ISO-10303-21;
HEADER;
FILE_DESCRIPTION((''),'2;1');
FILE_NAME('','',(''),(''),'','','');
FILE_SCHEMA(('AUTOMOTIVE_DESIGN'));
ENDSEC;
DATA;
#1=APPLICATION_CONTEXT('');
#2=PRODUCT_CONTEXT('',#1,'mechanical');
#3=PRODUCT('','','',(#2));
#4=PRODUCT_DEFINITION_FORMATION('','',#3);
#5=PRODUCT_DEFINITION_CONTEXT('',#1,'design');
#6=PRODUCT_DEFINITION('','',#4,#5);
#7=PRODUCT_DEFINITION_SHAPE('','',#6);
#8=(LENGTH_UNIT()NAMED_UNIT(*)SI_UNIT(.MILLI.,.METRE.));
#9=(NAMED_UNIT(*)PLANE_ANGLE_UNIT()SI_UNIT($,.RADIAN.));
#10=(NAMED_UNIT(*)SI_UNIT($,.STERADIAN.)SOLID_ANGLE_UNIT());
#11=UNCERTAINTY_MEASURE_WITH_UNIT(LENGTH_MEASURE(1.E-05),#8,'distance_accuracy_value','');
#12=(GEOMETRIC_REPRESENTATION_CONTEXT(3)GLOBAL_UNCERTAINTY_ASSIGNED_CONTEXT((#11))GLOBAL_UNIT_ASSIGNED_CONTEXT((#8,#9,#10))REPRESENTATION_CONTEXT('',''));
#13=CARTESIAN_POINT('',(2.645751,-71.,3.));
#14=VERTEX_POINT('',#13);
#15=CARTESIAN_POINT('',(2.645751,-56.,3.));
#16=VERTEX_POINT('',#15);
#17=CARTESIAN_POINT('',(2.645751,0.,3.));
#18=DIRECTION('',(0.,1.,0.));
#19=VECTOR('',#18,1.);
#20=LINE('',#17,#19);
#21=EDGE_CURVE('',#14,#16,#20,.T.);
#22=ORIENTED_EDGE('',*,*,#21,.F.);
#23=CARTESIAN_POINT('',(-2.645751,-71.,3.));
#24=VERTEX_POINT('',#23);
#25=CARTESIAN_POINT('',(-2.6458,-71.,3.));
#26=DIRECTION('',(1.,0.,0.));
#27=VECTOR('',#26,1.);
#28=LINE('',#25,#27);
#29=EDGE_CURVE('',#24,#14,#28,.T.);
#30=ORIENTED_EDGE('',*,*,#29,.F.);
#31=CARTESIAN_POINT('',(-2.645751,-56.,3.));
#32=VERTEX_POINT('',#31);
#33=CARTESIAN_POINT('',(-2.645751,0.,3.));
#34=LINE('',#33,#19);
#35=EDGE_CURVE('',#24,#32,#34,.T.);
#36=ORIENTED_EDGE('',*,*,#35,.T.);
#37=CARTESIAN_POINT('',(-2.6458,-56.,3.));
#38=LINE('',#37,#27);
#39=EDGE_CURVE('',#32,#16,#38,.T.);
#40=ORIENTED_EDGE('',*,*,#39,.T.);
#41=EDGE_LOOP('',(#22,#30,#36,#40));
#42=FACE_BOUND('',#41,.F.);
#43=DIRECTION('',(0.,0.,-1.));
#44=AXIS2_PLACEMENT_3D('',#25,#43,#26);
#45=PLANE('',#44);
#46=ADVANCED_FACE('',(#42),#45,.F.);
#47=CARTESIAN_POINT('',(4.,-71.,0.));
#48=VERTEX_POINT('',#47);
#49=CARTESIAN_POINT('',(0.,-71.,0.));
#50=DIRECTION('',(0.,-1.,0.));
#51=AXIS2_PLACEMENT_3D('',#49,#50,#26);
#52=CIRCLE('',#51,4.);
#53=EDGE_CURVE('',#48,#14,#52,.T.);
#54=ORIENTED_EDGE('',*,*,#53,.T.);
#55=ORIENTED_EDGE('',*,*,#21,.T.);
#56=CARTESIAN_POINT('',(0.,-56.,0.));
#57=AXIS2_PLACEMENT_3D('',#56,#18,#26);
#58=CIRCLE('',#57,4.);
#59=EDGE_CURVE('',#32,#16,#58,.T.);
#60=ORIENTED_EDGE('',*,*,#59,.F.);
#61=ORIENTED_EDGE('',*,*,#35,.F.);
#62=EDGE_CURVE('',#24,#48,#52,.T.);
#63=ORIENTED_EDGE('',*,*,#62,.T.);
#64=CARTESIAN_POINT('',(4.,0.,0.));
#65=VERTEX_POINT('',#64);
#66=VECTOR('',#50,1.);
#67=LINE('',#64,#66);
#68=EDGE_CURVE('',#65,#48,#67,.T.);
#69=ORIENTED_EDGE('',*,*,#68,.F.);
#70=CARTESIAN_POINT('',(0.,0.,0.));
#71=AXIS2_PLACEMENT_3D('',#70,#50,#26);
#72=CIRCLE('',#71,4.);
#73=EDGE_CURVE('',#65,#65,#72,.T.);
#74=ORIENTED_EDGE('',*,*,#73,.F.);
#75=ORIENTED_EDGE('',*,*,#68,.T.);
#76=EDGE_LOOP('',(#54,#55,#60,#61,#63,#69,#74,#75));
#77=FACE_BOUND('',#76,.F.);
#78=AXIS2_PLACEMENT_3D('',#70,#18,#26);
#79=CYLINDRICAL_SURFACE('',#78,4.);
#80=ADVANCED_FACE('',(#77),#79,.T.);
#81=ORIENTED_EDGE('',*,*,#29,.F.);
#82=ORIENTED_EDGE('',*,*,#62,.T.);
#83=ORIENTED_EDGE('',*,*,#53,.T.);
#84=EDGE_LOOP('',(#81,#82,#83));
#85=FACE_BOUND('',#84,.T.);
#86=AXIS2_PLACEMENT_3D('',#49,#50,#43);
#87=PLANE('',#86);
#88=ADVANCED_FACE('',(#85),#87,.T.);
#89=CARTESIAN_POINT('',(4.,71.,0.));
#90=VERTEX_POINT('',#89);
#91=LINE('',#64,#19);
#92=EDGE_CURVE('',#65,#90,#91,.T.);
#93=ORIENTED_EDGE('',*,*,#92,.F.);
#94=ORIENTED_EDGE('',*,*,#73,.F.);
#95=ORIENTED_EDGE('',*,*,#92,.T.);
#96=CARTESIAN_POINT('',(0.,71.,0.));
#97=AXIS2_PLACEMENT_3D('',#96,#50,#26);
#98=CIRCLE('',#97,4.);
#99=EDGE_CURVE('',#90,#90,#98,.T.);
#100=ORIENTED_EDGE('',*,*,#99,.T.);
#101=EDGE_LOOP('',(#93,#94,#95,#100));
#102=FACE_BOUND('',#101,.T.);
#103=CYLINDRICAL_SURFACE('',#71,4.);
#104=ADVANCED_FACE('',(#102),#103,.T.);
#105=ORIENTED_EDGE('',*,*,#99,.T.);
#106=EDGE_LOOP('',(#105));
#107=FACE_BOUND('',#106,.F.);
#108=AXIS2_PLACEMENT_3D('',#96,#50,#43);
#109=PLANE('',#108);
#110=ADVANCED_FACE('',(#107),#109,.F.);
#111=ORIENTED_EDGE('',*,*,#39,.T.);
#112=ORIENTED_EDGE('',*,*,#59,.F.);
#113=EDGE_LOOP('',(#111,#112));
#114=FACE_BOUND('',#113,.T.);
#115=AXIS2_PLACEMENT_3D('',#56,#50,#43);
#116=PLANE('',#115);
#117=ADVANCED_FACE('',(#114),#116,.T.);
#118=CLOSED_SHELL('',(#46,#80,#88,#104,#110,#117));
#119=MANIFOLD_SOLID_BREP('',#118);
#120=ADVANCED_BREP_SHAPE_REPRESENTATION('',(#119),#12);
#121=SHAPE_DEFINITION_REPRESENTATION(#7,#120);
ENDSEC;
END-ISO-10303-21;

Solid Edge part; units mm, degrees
sketch "Sketch1" plane through (0, 0, 0) normal (0, -1, 0) x (1, 0, 0)
  circle A0 centre (0, 0) radius 4
  dimension "D1" = 8
extrude "Protrusion1" add sketch "Sketch1" along normal mid plane 142
sketch "Sketch2" plane through (0, -71, 0) normal (0, -1, 0) x (1, 0, 0)
  line L0 (-2.6458, 3) -> (2.6458, 3)
  dimension "D1" = 1
extrude "Extrusionsausschnitt_1" cut sketch "Sketch2" against normal blind 15 material side at (0, -71, 3.05)
properties material "Aluminiumlegierung:3.0205, Al 99.0, EN-AW 1200"
